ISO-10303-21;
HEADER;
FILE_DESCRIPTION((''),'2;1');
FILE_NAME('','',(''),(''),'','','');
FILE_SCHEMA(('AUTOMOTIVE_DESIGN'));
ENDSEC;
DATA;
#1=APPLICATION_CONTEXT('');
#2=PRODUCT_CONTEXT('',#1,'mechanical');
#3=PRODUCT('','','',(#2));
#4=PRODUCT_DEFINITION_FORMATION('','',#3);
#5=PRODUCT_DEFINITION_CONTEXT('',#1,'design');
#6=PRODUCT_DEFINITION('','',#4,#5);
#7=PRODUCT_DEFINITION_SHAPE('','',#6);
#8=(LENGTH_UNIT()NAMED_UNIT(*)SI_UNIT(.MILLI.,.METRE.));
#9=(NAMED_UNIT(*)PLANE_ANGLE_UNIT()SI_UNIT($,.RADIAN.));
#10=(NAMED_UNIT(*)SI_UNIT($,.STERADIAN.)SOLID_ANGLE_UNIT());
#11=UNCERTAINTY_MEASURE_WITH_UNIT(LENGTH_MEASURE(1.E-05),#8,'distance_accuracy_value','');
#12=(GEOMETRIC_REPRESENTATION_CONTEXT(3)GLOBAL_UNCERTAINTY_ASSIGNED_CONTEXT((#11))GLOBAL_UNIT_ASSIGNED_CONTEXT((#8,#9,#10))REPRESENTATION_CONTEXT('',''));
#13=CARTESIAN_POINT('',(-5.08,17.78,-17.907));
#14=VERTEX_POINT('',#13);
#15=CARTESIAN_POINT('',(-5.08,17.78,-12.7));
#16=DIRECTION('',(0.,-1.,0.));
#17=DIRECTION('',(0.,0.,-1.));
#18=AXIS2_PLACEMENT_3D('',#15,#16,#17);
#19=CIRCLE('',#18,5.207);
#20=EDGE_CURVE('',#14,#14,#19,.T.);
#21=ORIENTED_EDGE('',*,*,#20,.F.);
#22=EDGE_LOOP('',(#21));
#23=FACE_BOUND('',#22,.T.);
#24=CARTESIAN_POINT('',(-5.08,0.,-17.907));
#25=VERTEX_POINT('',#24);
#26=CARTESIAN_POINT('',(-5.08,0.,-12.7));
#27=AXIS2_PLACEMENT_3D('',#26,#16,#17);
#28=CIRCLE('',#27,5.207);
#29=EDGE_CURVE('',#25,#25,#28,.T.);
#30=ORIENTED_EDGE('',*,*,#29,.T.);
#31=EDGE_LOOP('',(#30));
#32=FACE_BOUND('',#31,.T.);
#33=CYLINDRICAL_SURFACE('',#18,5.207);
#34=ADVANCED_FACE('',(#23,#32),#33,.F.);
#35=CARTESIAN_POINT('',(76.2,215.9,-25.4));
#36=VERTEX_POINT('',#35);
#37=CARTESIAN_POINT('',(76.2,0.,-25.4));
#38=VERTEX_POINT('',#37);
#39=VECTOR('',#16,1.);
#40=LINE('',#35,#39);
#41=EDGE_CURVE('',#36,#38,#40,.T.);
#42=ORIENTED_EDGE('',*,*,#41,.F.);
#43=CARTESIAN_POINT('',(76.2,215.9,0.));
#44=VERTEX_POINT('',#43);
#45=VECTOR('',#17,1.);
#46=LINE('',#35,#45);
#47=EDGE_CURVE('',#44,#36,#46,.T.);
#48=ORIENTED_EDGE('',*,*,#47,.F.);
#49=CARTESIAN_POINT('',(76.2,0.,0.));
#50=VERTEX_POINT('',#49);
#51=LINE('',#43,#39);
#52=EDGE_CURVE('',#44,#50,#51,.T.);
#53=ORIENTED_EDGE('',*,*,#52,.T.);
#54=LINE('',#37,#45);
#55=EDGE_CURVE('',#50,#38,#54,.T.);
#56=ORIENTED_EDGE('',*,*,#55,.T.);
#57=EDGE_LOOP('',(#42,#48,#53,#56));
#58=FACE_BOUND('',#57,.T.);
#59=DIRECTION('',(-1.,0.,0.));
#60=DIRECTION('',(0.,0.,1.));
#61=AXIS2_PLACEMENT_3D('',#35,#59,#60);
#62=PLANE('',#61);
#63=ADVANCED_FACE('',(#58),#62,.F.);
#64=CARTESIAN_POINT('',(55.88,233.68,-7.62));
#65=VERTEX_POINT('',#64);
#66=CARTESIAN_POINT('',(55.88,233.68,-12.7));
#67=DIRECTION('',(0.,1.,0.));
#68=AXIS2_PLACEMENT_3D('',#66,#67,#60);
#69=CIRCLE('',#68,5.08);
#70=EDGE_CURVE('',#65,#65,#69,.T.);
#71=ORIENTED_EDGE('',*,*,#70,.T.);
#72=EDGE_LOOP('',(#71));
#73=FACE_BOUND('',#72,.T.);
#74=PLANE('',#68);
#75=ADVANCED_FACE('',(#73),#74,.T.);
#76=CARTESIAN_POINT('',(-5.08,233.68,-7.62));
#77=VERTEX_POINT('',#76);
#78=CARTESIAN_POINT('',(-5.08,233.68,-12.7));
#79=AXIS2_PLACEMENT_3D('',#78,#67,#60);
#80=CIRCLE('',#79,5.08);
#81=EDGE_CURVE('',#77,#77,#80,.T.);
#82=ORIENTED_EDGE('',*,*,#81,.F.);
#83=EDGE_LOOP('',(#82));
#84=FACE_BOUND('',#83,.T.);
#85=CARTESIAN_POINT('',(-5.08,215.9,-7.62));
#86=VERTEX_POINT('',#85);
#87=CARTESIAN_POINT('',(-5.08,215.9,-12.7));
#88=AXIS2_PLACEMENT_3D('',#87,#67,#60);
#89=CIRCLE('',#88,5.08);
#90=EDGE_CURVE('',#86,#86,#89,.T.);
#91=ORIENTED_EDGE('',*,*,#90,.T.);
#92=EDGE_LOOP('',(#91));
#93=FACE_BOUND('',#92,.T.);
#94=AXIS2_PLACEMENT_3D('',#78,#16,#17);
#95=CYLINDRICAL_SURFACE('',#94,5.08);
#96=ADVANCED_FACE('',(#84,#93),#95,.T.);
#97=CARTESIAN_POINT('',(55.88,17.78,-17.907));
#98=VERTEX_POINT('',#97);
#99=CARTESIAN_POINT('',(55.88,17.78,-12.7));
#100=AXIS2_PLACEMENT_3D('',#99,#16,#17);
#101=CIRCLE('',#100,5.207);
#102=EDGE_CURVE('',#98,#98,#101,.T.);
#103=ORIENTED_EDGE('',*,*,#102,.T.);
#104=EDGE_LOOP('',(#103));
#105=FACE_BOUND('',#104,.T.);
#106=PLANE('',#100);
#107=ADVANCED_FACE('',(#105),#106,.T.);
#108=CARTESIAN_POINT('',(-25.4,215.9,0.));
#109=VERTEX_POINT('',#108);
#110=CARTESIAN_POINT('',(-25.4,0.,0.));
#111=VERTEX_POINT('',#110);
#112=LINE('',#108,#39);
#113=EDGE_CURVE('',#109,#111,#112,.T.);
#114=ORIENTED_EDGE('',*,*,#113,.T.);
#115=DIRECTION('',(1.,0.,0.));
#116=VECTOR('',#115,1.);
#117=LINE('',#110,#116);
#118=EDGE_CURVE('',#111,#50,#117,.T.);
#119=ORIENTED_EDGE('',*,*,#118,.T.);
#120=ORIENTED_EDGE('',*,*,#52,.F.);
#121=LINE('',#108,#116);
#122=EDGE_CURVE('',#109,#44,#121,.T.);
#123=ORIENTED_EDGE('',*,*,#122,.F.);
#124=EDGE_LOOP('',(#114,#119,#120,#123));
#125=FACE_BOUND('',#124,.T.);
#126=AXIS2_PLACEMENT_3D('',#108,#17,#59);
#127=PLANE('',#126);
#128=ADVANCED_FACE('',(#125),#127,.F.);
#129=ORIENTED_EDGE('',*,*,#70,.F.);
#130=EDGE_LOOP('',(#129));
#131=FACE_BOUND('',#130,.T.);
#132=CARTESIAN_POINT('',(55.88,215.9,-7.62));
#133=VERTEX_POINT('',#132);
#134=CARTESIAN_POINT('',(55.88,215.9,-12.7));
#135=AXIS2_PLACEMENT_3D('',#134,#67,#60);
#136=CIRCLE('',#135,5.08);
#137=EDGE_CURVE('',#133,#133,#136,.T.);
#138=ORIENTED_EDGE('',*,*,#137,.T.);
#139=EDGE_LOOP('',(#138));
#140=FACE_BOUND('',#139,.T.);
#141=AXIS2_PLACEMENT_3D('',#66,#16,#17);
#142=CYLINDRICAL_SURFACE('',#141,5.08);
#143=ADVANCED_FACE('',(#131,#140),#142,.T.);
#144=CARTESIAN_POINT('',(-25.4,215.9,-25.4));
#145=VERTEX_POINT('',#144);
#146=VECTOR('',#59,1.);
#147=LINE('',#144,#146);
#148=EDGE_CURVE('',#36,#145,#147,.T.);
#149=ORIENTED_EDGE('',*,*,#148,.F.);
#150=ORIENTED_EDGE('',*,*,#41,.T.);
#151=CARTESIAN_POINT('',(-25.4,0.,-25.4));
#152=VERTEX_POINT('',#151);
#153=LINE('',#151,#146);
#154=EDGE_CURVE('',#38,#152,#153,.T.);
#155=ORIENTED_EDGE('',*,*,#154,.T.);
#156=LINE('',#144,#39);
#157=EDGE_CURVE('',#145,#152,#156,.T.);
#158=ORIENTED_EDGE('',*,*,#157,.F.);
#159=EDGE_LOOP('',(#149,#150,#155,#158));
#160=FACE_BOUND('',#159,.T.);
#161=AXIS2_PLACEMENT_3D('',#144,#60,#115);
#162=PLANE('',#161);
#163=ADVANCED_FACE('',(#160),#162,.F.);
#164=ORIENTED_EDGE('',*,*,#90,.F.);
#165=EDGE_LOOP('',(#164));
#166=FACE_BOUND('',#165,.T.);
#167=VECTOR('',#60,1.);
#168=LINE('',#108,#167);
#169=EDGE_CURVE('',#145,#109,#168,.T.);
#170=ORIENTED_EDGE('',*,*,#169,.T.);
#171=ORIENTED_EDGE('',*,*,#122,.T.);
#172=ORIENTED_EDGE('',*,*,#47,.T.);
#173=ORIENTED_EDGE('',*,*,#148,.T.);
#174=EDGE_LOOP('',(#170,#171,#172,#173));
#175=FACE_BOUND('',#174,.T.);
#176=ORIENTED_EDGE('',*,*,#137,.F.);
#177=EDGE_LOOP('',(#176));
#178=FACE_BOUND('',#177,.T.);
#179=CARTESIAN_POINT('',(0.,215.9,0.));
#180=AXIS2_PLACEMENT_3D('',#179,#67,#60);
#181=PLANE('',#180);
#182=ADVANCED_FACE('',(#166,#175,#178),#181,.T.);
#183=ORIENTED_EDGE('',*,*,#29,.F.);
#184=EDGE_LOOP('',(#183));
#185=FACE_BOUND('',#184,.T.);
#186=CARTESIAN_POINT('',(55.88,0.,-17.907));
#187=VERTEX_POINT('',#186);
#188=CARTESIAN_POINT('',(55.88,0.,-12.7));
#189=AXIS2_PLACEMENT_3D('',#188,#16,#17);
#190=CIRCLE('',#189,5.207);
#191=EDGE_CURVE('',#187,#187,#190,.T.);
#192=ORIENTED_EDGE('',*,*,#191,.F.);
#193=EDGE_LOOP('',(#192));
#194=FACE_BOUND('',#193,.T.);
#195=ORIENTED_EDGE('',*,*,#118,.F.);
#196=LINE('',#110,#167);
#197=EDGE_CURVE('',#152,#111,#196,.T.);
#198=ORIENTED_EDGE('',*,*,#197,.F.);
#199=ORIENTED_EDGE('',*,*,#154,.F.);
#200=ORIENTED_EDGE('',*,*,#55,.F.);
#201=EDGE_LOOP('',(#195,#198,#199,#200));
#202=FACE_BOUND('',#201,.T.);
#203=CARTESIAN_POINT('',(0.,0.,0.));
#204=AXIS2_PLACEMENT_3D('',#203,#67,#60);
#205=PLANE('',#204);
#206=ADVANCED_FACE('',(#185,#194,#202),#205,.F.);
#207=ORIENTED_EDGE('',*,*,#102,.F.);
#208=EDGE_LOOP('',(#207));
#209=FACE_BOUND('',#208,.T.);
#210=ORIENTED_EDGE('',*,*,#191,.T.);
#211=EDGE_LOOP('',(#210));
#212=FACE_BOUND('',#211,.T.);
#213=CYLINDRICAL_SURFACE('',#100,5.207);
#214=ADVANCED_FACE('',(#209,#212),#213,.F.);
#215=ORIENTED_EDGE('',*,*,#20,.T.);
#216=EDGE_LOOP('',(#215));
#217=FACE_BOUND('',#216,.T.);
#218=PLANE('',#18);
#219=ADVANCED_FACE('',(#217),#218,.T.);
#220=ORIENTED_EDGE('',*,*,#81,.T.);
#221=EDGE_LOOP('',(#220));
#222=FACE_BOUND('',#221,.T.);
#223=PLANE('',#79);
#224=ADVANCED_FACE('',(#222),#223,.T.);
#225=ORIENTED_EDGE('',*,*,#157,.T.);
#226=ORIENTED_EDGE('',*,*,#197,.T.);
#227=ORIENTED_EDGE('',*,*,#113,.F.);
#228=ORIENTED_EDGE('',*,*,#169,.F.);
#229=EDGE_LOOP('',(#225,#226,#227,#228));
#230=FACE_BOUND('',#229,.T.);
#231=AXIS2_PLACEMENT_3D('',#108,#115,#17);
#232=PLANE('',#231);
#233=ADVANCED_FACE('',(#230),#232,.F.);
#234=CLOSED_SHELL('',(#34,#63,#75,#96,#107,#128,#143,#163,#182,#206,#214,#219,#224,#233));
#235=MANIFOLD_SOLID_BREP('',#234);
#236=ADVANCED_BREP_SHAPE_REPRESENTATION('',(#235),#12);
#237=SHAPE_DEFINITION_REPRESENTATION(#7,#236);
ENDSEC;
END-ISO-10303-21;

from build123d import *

# Parameters (mm, degrees)
SKETCH1_W           = 101.6
SKETCH1_H           = 25.4
BOSS_EXTRUDE1_DEPTH = 215.9
SKETCH3_R           = 5.207
CUT_EXTRUDE1_DEPTH  = 17.78
SKETCH4_R           = 5.08
BOSS_EXTRUDE3_DEPTH = 17.78


with BuildPart() as part:
    # Sketch1 → Boss-Extrude1 (new body)
    with BuildSketch(Plane(origin=(0, 0, 0), x_dir=(1, 0, 0), z_dir=(0, 1, 0))):
        with Locations((25.4, 12.7)):
            Rectangle(SKETCH1_W, SKETCH1_H)
    extrude(amount=BOSS_EXTRUDE1_DEPTH)

    # Sketch3 → Cut-Extrude1 (cut)
    with BuildSketch(Plane(origin=(0, 0, 0), x_dir=(-1, 0, 0), z_dir=(0, -1, 0))):
        with Locations(Location((5.08, 12.7, 0), (0, 0, 90))):
            Circle(SKETCH3_R)
        with Locations(Location((-55.88, 12.7, 0), (0, 0, 90))):
            Circle(SKETCH3_R)
    extrude(amount=-CUT_EXTRUDE1_DEPTH, mode=Mode.SUBTRACT)

    # Sketch4 → Boss-Extrude3 (add)
    with BuildSketch(Plane(origin=(0, 215.9, 0), x_dir=(1, 0, 0), z_dir=(0, 1, 0))):
        with Locations(Location((-5.08, 12.7, 0), (0, 0, 270))):
            Circle(SKETCH4_R)
        with Locations(Location((55.88, 12.7, 0), (0, 0, 270))):
            Circle(SKETCH4_R)
    extrude(amount=BOSS_EXTRUDE3_DEPTH)


solid = part.part
